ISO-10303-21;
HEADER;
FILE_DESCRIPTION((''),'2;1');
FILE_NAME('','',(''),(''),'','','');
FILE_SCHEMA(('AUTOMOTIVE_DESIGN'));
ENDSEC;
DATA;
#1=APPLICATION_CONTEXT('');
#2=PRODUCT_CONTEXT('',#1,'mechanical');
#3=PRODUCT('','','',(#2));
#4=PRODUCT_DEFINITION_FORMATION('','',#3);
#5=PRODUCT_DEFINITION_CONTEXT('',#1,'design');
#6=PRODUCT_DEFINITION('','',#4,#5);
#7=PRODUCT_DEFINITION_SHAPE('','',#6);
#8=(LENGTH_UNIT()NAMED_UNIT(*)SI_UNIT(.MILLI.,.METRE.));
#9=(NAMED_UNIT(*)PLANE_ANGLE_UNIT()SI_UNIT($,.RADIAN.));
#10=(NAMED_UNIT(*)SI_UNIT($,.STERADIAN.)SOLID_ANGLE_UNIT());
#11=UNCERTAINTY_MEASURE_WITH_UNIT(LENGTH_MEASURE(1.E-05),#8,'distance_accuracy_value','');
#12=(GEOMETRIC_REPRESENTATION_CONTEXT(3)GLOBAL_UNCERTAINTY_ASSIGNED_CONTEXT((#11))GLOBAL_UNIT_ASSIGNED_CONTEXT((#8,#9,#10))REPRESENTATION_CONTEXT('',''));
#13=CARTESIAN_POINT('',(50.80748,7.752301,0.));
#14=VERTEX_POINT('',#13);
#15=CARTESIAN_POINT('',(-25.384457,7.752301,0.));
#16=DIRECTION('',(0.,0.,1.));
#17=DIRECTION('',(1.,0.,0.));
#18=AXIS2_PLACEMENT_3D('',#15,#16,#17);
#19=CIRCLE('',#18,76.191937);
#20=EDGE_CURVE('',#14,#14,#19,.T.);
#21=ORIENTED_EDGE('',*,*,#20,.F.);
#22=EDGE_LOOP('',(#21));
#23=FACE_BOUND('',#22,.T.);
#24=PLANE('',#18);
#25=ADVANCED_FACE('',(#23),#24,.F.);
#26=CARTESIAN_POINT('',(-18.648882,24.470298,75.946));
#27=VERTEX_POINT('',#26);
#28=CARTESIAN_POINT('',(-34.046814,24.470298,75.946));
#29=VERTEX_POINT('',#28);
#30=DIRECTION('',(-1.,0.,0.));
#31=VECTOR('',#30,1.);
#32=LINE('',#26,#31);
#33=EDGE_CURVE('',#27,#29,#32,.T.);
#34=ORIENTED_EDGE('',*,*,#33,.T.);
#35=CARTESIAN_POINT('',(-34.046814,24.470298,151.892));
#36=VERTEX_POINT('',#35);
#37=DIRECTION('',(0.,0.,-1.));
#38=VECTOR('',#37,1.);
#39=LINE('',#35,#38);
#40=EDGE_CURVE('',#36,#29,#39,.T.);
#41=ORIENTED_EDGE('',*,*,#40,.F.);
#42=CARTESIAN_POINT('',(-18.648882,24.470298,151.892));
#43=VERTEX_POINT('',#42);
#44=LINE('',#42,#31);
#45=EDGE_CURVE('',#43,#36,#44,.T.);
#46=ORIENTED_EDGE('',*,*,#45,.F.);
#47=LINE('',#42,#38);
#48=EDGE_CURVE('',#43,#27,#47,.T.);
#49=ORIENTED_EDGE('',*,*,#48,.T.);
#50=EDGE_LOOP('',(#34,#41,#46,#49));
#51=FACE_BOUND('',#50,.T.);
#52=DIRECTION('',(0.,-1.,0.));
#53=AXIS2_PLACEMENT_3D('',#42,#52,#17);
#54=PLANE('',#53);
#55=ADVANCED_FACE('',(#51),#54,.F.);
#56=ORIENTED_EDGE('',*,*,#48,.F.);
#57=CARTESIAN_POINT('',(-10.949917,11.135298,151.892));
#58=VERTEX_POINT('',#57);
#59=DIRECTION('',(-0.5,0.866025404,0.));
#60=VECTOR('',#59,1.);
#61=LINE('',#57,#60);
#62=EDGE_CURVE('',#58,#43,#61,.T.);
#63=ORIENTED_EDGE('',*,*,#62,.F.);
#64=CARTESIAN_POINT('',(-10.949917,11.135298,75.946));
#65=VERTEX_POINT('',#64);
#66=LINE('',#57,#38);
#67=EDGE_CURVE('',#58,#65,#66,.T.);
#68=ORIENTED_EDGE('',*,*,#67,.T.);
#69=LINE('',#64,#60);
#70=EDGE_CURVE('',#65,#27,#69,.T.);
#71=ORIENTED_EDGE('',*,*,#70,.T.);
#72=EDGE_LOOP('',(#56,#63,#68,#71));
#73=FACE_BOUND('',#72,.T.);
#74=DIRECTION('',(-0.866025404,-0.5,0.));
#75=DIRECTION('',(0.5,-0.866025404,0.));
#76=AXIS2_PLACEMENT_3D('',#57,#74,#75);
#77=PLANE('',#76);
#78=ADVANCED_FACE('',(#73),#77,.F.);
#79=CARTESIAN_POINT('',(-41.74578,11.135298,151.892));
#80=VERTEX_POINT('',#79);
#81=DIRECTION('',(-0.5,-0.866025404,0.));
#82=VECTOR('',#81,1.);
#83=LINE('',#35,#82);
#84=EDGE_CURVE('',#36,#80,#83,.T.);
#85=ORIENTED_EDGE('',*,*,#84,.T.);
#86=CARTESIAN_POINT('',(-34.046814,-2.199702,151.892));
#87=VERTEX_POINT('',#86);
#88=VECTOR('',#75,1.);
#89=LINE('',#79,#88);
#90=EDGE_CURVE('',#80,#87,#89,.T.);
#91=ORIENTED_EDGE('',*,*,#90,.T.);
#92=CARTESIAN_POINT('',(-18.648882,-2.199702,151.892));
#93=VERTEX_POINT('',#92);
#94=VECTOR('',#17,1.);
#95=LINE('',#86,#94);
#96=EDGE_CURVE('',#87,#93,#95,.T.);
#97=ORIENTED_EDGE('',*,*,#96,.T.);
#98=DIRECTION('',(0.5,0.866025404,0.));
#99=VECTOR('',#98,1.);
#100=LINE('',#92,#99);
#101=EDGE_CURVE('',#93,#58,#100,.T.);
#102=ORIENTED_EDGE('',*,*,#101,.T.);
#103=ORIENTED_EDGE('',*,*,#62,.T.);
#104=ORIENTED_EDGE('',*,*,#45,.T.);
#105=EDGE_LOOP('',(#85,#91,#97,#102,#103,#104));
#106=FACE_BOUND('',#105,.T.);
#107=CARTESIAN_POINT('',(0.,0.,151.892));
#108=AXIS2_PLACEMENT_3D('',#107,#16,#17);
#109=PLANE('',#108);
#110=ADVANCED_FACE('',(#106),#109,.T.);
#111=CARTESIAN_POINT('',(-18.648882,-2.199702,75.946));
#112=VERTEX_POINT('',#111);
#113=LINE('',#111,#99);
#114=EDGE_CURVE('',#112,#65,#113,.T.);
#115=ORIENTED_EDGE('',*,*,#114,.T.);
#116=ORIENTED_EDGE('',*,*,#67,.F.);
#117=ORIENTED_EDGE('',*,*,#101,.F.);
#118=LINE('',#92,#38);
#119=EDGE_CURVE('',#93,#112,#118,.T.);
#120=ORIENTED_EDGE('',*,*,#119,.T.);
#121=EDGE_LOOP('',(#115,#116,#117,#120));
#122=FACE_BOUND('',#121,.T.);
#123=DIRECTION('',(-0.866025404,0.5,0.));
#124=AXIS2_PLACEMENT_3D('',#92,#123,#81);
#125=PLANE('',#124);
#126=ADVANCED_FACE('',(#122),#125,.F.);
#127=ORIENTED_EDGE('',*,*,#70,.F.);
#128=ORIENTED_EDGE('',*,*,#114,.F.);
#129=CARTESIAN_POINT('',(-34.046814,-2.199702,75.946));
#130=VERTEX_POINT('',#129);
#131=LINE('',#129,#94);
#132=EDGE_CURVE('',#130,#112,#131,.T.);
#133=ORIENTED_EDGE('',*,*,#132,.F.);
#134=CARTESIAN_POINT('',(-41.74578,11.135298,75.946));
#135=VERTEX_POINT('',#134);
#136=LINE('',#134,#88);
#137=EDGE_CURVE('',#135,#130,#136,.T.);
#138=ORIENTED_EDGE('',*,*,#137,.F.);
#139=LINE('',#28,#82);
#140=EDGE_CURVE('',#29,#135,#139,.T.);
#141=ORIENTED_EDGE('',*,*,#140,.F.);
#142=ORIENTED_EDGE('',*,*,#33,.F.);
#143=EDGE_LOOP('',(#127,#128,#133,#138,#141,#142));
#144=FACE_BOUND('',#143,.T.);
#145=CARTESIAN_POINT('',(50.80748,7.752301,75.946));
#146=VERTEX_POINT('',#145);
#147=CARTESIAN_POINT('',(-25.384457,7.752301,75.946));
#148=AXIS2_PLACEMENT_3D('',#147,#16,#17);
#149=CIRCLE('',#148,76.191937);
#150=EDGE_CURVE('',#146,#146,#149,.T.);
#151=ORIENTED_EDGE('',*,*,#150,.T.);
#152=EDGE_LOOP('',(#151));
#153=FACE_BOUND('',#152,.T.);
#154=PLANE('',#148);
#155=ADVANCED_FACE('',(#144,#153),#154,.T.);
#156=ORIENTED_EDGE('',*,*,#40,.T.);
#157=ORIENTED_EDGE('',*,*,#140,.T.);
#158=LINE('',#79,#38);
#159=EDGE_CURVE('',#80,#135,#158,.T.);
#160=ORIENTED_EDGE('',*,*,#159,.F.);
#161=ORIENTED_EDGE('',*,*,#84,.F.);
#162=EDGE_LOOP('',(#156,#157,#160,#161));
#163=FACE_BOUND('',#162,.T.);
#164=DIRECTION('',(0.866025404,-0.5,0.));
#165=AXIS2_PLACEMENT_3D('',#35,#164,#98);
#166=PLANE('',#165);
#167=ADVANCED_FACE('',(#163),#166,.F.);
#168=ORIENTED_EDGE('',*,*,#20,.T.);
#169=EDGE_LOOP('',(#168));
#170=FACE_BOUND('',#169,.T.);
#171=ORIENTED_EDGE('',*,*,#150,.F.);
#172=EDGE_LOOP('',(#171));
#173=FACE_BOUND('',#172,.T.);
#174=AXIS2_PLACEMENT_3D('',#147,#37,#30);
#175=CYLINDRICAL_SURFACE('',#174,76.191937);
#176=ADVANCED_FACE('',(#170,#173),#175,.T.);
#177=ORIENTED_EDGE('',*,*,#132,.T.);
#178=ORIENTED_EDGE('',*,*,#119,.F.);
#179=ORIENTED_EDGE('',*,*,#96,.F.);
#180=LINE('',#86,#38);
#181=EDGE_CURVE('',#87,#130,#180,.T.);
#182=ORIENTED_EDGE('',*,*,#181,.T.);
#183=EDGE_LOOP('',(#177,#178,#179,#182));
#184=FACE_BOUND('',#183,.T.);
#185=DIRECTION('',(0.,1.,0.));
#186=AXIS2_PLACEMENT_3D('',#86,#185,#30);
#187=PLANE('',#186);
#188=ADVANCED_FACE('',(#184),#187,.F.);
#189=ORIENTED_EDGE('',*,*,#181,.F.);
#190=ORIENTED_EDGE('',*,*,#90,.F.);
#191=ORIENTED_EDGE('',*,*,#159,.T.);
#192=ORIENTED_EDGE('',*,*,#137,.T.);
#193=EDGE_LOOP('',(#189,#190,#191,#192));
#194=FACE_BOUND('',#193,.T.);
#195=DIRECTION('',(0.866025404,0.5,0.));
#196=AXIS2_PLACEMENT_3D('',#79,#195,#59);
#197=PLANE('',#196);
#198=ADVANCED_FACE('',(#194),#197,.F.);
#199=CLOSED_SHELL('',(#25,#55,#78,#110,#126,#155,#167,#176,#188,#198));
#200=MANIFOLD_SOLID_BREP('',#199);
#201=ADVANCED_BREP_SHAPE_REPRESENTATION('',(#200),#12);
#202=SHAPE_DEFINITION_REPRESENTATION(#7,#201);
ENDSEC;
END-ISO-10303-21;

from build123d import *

# Parameters (mm, degrees)
SKETCH1_R           = 76.191937258
BOSS_EXTRUDE1_DEPTH = 75.946
BOSS_EXTRUDE2_DEPTH = 75.946


with BuildPart() as part:
    # Sketch1 → Boss-Extrude1 (new body)
    with BuildSketch(Plane.XY):
        with Locations((-25.384457056, 7.752300794)):
            Circle(SKETCH1_R)
    extrude(amount=BOSS_EXTRUDE1_DEPTH)

    # Sketch2 → Boss-Extrude2 (add)
    with BuildSketch(Plane.XY.offset(75.946)):
        Polygon((-10.949916627, 11.135298471), (-18.648882466, 24.470298471), (-34.046814146, 24.470298471), (-41.745779985, 11.135298471), (-34.046814146, -2.199701529), (-18.648882466, -2.199701529), align=None)
    extrude(amount=BOSS_EXTRUDE2_DEPTH)


solid = part.part
